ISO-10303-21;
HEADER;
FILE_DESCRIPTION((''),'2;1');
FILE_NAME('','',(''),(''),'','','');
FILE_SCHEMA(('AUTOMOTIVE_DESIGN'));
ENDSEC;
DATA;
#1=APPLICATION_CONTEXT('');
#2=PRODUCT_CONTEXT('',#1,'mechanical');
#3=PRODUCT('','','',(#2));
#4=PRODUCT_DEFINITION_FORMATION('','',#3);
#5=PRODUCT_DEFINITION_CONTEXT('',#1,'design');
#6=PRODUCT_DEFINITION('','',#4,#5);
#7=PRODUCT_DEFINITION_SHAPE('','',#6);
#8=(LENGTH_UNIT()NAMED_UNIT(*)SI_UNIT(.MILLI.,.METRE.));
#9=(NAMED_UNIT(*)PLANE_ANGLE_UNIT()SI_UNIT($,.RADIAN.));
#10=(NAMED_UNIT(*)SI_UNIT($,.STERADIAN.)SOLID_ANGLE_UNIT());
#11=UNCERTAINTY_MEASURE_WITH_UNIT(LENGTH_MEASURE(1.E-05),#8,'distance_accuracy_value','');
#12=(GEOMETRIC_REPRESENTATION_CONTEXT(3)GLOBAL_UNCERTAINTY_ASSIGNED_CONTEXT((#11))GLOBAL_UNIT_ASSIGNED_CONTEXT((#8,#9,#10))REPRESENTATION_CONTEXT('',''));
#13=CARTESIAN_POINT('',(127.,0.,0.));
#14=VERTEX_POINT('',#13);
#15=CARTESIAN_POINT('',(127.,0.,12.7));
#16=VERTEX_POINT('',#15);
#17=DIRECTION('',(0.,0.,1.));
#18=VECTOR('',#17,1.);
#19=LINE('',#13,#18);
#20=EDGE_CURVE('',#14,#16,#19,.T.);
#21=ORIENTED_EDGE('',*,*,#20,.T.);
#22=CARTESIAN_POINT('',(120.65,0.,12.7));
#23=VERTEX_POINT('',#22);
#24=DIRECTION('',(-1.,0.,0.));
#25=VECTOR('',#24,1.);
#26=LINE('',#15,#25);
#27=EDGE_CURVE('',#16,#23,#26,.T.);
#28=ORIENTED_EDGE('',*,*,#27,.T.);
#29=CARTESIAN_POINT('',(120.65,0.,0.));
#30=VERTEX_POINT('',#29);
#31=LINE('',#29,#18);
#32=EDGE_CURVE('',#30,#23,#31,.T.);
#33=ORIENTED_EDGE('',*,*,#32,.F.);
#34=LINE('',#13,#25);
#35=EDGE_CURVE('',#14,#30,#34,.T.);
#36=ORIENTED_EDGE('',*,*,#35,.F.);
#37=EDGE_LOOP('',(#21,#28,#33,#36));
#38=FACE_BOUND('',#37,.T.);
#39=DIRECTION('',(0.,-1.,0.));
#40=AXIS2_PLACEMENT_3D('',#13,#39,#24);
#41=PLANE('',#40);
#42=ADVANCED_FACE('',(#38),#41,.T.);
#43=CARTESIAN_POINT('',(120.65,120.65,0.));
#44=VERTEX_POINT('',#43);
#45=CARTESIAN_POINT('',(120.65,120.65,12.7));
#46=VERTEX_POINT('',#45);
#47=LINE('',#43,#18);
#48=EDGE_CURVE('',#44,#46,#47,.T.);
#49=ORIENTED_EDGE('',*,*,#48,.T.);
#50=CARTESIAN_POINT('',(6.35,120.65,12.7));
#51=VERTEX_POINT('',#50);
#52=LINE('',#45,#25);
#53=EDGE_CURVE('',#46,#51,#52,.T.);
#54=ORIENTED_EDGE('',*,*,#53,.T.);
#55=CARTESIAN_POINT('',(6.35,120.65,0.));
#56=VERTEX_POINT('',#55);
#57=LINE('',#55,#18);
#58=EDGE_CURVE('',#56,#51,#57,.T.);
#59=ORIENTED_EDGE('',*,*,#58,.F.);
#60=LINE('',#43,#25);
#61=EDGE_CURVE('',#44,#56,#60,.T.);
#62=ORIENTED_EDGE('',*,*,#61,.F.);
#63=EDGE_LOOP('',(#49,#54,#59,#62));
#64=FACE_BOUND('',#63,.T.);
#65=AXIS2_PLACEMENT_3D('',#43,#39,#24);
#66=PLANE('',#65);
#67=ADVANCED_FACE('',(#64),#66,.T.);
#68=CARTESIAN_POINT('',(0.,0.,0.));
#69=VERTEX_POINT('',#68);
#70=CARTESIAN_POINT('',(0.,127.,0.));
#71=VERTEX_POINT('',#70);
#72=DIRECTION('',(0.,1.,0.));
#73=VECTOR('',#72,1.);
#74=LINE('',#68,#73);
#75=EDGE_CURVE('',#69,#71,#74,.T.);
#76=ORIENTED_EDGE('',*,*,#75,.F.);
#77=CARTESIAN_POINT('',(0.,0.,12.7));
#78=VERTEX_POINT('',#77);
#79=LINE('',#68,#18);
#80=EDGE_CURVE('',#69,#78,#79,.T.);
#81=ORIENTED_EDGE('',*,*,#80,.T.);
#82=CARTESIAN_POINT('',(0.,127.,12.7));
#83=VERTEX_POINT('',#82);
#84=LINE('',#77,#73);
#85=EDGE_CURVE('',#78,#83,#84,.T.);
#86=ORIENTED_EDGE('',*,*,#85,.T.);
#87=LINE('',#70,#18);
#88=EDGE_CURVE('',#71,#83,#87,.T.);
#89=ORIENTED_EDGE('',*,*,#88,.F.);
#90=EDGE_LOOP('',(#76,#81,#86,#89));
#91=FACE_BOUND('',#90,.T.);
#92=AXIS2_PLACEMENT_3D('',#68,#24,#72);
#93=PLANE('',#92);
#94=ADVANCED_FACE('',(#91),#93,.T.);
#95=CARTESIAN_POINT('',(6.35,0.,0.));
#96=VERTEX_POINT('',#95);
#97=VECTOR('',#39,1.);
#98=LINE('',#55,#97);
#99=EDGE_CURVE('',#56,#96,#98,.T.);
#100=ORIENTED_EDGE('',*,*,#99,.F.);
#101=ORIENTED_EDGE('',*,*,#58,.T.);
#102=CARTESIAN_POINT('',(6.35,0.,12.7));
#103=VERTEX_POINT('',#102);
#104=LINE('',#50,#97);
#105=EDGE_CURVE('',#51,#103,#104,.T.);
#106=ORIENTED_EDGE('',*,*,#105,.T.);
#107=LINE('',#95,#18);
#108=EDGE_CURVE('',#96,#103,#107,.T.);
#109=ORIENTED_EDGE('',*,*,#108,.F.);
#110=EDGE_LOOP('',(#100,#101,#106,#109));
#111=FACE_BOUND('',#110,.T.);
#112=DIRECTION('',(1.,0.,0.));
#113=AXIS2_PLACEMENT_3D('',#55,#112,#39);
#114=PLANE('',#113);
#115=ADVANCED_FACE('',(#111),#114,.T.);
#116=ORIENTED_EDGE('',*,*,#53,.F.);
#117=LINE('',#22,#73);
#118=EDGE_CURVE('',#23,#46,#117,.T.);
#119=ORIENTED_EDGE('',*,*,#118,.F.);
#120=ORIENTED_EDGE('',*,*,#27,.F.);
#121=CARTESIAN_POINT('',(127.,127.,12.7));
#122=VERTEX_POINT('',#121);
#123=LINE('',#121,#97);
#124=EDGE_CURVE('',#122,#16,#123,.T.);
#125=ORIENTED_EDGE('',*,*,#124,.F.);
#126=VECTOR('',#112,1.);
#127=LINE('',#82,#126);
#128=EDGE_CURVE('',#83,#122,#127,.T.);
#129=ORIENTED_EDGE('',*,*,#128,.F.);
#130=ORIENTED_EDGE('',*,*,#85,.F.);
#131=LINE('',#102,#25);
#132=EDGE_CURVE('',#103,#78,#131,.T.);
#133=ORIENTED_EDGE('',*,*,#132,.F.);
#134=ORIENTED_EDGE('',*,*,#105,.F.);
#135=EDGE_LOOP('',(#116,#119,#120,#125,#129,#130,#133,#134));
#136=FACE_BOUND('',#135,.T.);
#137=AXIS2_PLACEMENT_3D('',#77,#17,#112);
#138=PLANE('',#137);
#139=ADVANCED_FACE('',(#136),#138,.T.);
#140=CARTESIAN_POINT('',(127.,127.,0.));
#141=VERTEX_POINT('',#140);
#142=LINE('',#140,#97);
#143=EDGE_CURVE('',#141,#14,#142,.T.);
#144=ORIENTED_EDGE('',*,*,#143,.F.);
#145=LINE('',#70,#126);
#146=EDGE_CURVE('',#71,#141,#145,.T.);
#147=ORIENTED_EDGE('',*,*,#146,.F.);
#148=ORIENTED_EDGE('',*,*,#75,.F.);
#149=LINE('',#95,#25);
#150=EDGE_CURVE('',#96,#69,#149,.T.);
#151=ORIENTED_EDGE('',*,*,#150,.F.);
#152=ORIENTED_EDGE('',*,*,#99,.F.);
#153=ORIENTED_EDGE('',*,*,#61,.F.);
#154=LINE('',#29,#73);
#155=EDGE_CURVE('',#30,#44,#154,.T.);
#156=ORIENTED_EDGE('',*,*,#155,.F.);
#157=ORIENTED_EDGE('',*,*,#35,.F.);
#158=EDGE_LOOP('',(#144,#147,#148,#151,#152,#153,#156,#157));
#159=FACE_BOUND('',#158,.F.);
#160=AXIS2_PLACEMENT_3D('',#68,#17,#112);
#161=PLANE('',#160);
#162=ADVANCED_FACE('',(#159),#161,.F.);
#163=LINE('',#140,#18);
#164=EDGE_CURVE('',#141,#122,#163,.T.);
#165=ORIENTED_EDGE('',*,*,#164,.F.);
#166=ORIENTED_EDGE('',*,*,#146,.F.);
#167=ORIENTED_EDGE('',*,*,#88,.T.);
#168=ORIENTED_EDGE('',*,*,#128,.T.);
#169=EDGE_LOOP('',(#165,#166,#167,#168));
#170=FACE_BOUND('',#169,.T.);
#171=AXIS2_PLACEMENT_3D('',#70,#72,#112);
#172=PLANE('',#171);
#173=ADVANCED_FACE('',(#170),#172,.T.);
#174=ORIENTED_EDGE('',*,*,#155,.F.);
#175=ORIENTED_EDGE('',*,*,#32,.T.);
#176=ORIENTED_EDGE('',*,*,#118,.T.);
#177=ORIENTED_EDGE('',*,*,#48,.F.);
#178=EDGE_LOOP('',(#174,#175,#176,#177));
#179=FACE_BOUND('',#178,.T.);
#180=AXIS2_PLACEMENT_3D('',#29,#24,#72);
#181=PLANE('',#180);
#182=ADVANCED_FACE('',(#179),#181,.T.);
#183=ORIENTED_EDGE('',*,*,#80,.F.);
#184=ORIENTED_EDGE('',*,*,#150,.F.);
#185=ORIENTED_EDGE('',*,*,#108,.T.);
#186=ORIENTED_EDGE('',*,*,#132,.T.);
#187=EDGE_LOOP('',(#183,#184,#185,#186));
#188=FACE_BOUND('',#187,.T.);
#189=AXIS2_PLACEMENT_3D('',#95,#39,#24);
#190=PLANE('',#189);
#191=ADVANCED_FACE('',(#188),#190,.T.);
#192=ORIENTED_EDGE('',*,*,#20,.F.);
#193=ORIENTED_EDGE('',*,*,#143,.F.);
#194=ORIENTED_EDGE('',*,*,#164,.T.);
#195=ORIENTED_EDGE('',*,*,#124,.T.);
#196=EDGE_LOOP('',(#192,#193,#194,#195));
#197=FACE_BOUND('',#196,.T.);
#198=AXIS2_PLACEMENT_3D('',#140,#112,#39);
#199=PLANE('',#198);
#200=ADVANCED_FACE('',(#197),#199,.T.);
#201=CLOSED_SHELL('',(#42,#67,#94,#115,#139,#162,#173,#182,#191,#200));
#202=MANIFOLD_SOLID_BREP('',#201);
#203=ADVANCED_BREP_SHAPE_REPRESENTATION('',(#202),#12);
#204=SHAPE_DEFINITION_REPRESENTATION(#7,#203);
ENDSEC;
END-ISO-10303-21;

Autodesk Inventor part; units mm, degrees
ref_plane "YZ Plane" through (0, 0, 0) normal (1, 0, 0) x (0, 1, 0)
ref_plane "XZ Plane" through (0, 0, 0) normal (0, 1, 0) x (-1, 0, 0)
ref_plane "XY Plane" through (0, 0, 0) normal (0, 0, 1) x (1, 0, 0)
sketch "Sketch1" plane through (0, 0, 0) normal (0, 0, 1) x (1, 0, 0)
  line L0 (0, 0) -> (0, 127)
  line L1 (0, 127) -> (127, 127)
  line L2 (127, 127) -> (127, 0)
  line L3 (127, 0) -> (120.65, 0)
  line L4 (120.65, 0) -> (120.65, 120.65)
  line L5 (120.65, 120.65) -> (6.35, 120.65)
  line L6 (6.35, 120.65) -> (6.35, 0)
  line L7 (6.35, 0) -> (0, 0)
  dimension "d0" = 127
  dimension "d1" = 127
  dimension "d2" = 6.35
  dimension "d3" = 120.65
  dimension "d4" = 114.3
extrude "Extrusion1" add sketch "Sketch1" along normal blind 12.7
properties part number "Reacher"
